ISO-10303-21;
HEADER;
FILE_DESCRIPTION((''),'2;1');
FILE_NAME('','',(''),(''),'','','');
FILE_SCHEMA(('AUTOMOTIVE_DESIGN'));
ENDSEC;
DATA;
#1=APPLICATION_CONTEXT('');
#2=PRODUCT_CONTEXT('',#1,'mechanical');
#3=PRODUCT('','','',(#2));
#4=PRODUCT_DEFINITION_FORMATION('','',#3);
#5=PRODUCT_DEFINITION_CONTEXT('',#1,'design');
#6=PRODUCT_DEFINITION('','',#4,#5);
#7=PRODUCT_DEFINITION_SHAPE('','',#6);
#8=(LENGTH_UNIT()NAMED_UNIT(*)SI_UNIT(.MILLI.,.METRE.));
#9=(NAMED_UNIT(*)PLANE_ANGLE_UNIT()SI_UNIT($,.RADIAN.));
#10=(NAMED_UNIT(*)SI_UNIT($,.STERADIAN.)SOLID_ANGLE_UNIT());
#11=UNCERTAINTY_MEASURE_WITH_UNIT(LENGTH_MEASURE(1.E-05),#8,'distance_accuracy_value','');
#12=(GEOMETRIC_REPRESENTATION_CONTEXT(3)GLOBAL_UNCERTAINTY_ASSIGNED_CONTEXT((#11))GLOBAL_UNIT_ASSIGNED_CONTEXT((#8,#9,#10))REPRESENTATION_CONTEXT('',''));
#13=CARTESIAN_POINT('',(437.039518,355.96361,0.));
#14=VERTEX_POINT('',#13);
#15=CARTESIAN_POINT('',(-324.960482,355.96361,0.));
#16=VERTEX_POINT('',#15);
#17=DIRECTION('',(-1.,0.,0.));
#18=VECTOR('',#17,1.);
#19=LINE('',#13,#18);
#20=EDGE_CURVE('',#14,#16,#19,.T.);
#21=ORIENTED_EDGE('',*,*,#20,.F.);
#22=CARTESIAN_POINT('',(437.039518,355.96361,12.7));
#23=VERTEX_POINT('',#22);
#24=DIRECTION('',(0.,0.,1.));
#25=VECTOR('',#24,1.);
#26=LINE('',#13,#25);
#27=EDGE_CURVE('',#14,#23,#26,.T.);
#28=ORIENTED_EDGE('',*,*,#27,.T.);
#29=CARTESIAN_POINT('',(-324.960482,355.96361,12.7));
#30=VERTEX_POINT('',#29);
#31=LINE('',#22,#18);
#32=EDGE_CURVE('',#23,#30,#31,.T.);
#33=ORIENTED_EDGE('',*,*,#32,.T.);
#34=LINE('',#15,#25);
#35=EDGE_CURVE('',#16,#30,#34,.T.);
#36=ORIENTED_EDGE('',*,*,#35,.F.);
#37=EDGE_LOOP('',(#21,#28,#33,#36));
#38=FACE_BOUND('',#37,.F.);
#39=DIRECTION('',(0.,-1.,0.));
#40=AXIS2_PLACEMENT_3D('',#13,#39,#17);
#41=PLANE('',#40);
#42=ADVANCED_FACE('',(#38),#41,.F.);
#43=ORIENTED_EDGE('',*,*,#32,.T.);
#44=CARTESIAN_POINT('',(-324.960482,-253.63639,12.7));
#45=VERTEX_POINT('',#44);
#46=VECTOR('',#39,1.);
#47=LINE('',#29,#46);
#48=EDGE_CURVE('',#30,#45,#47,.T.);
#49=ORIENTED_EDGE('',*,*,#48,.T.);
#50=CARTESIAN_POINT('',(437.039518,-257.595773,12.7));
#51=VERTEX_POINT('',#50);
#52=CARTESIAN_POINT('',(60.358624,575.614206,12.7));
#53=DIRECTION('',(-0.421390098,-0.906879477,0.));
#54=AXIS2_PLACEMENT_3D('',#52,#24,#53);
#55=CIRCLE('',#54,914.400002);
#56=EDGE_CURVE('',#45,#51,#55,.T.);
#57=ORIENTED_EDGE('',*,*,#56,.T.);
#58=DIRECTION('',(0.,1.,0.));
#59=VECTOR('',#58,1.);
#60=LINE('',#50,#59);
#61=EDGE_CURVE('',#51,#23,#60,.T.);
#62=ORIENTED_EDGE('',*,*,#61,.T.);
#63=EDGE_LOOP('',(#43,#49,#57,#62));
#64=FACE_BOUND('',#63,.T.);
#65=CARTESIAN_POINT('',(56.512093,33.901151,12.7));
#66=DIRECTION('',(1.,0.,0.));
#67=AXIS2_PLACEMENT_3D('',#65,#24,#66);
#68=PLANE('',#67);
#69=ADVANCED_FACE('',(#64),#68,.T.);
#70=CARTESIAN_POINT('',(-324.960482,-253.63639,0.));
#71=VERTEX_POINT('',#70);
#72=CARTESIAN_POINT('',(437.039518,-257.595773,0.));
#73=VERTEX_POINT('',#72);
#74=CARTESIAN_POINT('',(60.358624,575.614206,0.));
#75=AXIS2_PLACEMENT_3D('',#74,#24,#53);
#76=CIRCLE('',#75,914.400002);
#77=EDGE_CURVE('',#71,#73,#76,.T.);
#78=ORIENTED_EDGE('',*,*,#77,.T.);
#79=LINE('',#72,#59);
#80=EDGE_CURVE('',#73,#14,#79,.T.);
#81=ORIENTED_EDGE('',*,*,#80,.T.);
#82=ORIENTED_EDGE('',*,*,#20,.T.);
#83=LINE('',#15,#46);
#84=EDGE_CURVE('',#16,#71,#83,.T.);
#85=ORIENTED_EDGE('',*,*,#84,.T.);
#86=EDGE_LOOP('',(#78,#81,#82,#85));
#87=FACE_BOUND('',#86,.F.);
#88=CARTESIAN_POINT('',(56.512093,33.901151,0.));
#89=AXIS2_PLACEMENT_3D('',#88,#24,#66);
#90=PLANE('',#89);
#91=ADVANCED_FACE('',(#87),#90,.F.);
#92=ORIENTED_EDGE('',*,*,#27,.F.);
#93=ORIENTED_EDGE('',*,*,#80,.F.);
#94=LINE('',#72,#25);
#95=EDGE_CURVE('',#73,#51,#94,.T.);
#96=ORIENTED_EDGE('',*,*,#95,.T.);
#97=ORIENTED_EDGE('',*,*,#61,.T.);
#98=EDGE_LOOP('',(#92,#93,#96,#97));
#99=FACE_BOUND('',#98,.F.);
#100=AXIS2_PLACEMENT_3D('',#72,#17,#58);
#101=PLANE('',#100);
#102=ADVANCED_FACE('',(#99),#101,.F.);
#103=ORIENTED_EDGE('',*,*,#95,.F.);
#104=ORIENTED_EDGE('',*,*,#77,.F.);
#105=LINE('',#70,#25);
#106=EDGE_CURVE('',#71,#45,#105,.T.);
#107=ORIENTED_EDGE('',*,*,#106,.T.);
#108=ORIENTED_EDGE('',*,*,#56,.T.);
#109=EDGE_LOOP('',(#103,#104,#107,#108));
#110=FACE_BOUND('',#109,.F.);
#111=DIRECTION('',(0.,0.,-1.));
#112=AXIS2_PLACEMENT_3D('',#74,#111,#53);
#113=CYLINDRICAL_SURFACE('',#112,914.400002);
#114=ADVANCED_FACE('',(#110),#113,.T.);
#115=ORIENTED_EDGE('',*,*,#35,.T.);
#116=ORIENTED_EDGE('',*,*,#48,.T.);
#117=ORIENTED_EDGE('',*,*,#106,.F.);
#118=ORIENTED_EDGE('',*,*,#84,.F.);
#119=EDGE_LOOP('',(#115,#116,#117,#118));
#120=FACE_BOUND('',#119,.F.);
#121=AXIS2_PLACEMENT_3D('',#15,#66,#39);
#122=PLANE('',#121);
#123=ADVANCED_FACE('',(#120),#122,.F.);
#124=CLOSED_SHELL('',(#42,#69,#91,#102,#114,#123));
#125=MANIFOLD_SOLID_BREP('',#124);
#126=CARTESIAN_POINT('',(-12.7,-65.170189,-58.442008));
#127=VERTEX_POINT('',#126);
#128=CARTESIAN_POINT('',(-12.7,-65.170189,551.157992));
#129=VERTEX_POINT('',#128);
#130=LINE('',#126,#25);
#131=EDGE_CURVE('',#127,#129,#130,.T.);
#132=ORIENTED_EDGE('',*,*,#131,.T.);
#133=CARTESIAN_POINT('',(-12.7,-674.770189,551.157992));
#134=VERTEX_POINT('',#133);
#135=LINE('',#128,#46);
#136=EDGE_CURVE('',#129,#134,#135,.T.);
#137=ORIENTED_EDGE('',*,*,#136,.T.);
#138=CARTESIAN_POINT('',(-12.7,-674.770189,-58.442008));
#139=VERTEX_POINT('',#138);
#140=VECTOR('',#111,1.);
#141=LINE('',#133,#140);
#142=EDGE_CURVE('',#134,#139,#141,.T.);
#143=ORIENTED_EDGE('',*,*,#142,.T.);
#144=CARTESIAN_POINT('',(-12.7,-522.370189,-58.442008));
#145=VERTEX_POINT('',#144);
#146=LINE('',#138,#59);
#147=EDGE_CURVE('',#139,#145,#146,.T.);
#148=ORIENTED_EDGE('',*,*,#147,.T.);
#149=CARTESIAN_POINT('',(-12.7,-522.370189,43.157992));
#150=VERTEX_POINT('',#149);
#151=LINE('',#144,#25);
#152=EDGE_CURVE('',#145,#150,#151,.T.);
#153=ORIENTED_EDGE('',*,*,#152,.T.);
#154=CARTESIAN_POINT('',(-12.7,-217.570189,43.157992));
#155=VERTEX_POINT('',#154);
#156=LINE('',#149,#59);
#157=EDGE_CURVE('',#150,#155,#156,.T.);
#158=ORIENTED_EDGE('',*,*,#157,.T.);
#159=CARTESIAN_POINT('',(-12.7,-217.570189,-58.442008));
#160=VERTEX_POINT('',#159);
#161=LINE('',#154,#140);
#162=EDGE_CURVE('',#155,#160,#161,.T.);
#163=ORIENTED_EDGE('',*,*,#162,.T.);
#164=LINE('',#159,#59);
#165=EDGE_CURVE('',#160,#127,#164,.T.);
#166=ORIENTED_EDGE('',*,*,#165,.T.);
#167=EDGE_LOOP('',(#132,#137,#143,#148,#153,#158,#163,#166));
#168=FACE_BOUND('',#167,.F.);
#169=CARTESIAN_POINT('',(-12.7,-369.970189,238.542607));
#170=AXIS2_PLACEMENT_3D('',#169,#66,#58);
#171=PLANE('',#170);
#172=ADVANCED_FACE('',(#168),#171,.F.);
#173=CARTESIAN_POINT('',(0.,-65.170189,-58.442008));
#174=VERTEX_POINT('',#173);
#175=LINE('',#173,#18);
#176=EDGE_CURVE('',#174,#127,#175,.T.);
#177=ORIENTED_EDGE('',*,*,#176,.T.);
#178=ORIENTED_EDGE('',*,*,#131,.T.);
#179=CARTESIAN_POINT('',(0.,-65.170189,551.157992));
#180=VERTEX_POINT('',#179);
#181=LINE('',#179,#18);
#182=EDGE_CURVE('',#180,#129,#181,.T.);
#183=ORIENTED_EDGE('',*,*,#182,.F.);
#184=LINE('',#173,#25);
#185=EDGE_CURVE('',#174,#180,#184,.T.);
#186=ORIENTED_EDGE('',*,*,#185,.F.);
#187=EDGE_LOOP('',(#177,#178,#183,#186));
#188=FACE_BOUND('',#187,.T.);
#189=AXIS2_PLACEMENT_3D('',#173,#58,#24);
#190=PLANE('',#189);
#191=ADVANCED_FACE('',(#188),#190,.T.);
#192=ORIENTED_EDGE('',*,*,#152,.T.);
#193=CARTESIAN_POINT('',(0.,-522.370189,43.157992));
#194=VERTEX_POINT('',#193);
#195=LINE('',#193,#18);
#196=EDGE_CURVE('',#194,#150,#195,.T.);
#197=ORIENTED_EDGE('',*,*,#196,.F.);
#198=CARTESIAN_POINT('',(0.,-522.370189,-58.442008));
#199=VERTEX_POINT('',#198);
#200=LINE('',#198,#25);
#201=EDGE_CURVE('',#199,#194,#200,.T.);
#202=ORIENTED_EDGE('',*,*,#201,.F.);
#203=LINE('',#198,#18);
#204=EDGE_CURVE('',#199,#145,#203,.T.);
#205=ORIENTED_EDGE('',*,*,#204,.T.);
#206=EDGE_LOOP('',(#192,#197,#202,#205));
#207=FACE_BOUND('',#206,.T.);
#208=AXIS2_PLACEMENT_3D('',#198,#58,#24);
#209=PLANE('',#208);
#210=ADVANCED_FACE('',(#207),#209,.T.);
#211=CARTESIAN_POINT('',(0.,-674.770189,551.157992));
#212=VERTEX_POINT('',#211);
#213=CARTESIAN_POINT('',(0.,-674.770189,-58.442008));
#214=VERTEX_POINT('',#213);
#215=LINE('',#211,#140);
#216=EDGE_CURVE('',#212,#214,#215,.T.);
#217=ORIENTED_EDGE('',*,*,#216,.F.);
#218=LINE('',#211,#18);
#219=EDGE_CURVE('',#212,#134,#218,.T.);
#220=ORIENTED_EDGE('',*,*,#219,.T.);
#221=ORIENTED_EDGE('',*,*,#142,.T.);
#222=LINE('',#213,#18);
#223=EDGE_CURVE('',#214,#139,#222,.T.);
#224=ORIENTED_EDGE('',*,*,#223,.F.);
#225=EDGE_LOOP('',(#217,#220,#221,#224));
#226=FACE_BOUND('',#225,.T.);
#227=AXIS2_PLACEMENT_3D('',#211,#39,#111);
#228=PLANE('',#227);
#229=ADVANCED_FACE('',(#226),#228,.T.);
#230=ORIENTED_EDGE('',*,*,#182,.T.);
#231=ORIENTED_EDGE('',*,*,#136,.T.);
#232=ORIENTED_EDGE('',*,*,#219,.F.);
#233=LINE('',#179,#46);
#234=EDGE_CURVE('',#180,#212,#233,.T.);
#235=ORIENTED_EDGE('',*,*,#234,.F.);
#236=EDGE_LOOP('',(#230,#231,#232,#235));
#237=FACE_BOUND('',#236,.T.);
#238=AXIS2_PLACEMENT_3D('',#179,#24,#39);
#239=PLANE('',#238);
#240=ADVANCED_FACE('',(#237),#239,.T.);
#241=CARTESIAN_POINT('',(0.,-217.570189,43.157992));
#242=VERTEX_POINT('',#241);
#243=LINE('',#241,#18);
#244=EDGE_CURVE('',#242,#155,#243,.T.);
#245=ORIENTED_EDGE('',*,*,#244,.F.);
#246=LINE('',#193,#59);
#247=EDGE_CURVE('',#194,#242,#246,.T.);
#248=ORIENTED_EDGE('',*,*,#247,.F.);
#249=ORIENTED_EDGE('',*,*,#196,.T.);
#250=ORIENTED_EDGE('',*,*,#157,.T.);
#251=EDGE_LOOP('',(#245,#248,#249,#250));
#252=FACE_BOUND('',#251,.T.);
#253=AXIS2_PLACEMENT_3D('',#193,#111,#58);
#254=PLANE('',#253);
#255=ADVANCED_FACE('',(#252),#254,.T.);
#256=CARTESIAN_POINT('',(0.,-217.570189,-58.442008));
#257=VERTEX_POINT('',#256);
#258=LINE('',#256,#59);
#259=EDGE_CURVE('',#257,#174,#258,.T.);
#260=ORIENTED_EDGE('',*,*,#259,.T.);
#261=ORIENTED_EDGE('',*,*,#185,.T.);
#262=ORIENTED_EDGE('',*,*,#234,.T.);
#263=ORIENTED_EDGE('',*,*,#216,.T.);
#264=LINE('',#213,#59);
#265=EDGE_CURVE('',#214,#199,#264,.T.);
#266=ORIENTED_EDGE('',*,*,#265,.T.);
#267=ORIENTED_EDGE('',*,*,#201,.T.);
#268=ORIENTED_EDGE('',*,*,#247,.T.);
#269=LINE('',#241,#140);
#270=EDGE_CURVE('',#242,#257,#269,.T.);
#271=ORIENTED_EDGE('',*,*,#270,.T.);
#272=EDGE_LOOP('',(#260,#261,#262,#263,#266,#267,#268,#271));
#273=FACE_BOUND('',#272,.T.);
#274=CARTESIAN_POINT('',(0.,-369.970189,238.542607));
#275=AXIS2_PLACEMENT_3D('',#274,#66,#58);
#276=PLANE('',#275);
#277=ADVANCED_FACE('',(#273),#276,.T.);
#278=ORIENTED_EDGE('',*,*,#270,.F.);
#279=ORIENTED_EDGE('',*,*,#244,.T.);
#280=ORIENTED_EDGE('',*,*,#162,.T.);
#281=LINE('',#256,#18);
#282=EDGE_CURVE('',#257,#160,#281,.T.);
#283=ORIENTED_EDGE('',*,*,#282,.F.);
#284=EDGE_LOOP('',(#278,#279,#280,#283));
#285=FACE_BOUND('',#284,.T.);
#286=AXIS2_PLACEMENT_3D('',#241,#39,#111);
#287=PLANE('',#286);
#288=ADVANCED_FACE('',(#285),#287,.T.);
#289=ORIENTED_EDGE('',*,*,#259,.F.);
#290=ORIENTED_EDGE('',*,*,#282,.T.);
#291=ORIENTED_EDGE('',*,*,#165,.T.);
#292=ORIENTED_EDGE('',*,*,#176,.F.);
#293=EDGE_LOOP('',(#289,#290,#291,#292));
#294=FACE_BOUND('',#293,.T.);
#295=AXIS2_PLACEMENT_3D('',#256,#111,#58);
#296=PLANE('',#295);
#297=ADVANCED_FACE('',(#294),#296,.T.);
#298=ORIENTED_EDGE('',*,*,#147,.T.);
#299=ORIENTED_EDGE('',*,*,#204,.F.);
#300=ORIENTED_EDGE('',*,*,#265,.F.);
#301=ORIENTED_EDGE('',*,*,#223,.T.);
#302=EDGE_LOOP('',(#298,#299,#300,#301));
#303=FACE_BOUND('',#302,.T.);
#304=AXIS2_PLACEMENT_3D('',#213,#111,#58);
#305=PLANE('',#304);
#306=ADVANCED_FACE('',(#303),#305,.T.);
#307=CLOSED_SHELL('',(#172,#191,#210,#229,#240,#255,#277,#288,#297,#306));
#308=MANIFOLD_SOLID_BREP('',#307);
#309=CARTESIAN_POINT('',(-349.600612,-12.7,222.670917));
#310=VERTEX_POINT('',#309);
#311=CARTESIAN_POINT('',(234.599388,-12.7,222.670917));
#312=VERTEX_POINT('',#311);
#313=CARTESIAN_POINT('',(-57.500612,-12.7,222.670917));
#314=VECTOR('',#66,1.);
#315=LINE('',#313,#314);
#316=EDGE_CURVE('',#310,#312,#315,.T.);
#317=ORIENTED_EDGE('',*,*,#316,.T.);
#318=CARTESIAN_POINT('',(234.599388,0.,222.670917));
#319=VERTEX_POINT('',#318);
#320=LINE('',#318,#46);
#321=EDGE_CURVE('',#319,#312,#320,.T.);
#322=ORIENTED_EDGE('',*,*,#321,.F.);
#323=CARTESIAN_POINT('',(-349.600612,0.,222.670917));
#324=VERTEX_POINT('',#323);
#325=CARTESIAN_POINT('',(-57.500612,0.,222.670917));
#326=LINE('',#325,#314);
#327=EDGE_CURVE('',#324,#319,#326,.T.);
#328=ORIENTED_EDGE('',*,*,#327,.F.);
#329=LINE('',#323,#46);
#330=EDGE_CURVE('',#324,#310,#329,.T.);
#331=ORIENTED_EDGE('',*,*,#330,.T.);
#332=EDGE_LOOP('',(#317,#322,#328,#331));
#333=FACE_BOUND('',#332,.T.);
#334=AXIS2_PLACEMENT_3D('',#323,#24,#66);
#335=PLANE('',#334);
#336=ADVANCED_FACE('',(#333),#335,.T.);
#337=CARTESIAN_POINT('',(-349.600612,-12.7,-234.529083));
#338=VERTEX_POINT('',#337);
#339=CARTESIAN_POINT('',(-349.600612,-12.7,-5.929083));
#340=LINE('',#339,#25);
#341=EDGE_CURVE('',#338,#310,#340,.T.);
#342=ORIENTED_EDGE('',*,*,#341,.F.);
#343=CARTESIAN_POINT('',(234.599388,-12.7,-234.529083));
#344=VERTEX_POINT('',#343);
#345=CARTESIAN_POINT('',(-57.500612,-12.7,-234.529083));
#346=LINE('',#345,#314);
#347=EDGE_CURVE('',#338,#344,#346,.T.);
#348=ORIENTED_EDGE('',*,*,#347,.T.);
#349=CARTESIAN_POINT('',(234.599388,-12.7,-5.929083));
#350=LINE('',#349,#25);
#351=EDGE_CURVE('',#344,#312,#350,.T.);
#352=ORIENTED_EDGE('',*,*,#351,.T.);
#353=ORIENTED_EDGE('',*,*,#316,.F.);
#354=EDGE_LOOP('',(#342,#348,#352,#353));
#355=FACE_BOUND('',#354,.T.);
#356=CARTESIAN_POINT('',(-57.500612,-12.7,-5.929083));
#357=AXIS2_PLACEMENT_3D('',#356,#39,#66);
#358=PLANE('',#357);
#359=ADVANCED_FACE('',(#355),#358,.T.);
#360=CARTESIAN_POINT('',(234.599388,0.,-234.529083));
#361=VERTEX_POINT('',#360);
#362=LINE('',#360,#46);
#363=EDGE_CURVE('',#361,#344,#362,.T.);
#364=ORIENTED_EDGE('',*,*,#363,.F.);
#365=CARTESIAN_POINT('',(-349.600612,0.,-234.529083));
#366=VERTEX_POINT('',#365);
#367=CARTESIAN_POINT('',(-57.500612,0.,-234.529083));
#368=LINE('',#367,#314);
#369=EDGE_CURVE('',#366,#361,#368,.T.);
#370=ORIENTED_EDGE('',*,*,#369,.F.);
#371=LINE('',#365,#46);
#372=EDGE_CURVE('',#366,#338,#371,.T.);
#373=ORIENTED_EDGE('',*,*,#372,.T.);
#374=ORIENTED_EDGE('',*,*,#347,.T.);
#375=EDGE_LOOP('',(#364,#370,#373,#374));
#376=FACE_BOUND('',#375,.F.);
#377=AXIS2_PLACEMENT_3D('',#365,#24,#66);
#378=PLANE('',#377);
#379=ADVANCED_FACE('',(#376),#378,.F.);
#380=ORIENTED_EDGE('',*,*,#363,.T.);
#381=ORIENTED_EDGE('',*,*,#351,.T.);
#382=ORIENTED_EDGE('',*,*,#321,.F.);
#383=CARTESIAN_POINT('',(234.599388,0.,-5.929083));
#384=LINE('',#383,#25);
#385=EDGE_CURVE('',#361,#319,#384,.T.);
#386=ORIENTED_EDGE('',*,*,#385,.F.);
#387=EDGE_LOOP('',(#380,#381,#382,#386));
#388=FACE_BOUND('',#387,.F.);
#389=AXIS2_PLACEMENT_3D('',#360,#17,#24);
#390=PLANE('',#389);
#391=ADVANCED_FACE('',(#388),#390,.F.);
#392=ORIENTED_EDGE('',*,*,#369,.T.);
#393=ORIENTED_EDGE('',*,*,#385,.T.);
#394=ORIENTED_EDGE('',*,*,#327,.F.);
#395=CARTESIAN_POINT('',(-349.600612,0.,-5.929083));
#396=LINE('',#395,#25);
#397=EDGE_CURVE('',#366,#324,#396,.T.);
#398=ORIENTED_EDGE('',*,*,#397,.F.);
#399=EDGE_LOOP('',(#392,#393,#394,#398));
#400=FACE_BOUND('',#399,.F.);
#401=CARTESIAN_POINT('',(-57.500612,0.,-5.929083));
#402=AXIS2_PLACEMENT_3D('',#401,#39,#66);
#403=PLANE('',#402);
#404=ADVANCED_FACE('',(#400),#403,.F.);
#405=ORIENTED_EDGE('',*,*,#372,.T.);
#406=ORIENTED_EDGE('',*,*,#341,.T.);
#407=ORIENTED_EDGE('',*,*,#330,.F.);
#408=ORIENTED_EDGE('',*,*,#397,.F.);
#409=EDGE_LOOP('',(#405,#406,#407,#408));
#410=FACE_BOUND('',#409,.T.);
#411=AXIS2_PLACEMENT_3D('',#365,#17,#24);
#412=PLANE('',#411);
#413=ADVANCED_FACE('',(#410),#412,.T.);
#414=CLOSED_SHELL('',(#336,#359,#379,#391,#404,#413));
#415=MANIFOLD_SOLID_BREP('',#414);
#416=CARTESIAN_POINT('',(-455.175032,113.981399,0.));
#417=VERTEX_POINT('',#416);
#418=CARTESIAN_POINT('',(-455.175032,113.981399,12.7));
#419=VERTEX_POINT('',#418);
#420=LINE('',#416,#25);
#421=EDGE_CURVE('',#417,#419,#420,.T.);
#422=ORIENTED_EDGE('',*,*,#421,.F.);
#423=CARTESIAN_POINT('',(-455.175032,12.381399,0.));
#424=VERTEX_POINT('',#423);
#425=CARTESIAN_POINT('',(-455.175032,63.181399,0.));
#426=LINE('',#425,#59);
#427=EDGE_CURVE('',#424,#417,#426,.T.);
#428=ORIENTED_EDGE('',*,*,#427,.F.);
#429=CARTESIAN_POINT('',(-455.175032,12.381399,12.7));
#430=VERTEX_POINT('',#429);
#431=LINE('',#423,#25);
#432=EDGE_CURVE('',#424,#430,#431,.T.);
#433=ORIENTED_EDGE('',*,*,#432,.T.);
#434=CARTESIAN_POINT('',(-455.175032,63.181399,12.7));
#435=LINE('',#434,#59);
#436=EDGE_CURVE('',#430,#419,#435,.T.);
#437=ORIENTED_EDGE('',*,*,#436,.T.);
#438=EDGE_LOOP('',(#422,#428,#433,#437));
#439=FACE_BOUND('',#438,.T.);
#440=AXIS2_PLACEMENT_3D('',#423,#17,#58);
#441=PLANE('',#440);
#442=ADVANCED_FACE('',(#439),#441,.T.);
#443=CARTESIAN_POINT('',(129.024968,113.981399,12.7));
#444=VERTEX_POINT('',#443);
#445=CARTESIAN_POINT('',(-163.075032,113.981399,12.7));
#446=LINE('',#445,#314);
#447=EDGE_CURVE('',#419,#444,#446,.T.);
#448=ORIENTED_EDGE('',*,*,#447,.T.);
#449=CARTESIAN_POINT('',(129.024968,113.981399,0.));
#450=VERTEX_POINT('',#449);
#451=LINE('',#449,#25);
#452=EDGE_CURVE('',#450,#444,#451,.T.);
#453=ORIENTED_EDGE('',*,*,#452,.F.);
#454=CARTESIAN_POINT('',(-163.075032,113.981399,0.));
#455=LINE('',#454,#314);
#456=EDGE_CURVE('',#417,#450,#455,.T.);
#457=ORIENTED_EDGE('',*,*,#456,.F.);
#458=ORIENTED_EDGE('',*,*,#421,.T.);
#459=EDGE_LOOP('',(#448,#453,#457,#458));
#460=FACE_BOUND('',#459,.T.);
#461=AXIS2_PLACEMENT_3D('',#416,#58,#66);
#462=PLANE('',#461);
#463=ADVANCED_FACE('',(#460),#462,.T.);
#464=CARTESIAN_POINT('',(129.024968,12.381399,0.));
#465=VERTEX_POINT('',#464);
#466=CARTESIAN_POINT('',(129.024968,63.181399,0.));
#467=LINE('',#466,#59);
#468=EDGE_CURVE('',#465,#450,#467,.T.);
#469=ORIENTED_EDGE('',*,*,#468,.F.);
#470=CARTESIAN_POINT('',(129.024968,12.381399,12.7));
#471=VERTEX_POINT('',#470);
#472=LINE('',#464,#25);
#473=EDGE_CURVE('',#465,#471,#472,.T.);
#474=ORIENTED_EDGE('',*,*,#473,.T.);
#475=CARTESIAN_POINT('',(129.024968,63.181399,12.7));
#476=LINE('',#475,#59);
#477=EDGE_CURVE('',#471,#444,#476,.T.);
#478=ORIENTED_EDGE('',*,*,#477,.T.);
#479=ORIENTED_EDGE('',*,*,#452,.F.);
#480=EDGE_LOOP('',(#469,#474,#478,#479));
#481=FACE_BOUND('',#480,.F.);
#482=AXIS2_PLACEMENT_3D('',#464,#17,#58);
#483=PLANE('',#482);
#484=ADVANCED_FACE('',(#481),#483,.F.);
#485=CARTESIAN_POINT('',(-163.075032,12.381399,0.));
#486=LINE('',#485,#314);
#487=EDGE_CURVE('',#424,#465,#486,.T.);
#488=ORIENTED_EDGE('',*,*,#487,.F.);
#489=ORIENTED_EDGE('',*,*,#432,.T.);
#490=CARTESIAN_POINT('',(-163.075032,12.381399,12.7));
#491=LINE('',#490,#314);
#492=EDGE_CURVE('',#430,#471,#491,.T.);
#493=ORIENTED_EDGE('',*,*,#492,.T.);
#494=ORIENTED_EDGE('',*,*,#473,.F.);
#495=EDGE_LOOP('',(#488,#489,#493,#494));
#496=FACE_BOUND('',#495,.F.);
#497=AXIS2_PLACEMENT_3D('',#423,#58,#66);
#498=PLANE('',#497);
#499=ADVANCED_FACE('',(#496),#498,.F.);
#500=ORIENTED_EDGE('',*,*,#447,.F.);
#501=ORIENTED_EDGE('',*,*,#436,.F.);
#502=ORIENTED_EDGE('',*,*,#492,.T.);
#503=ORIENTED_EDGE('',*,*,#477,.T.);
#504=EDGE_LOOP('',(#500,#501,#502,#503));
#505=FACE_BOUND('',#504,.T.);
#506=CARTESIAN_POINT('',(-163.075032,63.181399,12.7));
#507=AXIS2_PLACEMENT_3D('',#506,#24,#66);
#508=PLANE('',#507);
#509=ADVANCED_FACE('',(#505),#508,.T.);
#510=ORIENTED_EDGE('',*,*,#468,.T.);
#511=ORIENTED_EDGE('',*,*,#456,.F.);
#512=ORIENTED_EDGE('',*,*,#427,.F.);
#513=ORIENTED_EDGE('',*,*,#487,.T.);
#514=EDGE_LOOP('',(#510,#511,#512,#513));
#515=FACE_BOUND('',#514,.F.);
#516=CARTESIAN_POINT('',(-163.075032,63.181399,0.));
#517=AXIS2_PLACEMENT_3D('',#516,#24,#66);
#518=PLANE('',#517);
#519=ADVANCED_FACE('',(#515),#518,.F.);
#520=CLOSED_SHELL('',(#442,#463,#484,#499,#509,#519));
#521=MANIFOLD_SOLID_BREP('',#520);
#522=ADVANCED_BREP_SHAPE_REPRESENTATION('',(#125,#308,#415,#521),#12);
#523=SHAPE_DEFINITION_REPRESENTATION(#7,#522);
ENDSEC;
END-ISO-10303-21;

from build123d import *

# Parameters (mm, degrees)
F1_DEPTH = 12.7
F3_DEPTH = 12.7
F4_W     = 584.2
F4_H     = 457.2
F5_DEPTH = 12.7
F6_W     = 584.2
F6_H     = 101.6
F7_DEPTH = 12.7


with BuildPart() as f1:
    # F0 (on Top) → F1 (new body)
    with BuildSketch(Plane.XY):
        with BuildLine():
            Line((437.039518, 355.96361), (-324.960482, 355.96361))
            Line((-324.960482, 355.96361), (-324.960482, -253.63639))
            ThreePointArc((-324.960482, -253.63639), (55.607429, -338.773453), (437.039518, -257.595773))
            Line((437.039518, -257.595773), (437.039518, 355.96361))
        make_face()
    extrude(amount=F1_DEPTH)


with BuildPart() as f3:
    # F2 (on Right) → F3 (new body)
    with BuildSketch(Plane.YZ):
        Polygon((-65.170189, 551.157992), (-674.770189, 551.157992), (-674.770189, -58.442008), (-522.370189, -58.442008), (-522.370189, 43.157992), (-217.570189, 43.157992), (-217.570189, -58.442008), (-65.170189, -58.442008), align=None)
    extrude(amount=-F3_DEPTH)


with BuildPart() as f5:
    # F4 (on Front) → F5 (new body)
    with BuildSketch(Plane.XZ):
        with Locations((-57.500612, -5.929083)):
            Rectangle(F4_W, F4_H)
    extrude(amount=F5_DEPTH)


with BuildPart() as f7:
    # F6 (on Top) → F7 (new body)
    with BuildSketch(Plane.XY):
        with Locations((-163.075032, 63.181399)):
            Rectangle(F6_W, F6_H)
    extrude(amount=F7_DEPTH)


solid = Compound([f1.part, f3.part, f5.part, f7.part])
